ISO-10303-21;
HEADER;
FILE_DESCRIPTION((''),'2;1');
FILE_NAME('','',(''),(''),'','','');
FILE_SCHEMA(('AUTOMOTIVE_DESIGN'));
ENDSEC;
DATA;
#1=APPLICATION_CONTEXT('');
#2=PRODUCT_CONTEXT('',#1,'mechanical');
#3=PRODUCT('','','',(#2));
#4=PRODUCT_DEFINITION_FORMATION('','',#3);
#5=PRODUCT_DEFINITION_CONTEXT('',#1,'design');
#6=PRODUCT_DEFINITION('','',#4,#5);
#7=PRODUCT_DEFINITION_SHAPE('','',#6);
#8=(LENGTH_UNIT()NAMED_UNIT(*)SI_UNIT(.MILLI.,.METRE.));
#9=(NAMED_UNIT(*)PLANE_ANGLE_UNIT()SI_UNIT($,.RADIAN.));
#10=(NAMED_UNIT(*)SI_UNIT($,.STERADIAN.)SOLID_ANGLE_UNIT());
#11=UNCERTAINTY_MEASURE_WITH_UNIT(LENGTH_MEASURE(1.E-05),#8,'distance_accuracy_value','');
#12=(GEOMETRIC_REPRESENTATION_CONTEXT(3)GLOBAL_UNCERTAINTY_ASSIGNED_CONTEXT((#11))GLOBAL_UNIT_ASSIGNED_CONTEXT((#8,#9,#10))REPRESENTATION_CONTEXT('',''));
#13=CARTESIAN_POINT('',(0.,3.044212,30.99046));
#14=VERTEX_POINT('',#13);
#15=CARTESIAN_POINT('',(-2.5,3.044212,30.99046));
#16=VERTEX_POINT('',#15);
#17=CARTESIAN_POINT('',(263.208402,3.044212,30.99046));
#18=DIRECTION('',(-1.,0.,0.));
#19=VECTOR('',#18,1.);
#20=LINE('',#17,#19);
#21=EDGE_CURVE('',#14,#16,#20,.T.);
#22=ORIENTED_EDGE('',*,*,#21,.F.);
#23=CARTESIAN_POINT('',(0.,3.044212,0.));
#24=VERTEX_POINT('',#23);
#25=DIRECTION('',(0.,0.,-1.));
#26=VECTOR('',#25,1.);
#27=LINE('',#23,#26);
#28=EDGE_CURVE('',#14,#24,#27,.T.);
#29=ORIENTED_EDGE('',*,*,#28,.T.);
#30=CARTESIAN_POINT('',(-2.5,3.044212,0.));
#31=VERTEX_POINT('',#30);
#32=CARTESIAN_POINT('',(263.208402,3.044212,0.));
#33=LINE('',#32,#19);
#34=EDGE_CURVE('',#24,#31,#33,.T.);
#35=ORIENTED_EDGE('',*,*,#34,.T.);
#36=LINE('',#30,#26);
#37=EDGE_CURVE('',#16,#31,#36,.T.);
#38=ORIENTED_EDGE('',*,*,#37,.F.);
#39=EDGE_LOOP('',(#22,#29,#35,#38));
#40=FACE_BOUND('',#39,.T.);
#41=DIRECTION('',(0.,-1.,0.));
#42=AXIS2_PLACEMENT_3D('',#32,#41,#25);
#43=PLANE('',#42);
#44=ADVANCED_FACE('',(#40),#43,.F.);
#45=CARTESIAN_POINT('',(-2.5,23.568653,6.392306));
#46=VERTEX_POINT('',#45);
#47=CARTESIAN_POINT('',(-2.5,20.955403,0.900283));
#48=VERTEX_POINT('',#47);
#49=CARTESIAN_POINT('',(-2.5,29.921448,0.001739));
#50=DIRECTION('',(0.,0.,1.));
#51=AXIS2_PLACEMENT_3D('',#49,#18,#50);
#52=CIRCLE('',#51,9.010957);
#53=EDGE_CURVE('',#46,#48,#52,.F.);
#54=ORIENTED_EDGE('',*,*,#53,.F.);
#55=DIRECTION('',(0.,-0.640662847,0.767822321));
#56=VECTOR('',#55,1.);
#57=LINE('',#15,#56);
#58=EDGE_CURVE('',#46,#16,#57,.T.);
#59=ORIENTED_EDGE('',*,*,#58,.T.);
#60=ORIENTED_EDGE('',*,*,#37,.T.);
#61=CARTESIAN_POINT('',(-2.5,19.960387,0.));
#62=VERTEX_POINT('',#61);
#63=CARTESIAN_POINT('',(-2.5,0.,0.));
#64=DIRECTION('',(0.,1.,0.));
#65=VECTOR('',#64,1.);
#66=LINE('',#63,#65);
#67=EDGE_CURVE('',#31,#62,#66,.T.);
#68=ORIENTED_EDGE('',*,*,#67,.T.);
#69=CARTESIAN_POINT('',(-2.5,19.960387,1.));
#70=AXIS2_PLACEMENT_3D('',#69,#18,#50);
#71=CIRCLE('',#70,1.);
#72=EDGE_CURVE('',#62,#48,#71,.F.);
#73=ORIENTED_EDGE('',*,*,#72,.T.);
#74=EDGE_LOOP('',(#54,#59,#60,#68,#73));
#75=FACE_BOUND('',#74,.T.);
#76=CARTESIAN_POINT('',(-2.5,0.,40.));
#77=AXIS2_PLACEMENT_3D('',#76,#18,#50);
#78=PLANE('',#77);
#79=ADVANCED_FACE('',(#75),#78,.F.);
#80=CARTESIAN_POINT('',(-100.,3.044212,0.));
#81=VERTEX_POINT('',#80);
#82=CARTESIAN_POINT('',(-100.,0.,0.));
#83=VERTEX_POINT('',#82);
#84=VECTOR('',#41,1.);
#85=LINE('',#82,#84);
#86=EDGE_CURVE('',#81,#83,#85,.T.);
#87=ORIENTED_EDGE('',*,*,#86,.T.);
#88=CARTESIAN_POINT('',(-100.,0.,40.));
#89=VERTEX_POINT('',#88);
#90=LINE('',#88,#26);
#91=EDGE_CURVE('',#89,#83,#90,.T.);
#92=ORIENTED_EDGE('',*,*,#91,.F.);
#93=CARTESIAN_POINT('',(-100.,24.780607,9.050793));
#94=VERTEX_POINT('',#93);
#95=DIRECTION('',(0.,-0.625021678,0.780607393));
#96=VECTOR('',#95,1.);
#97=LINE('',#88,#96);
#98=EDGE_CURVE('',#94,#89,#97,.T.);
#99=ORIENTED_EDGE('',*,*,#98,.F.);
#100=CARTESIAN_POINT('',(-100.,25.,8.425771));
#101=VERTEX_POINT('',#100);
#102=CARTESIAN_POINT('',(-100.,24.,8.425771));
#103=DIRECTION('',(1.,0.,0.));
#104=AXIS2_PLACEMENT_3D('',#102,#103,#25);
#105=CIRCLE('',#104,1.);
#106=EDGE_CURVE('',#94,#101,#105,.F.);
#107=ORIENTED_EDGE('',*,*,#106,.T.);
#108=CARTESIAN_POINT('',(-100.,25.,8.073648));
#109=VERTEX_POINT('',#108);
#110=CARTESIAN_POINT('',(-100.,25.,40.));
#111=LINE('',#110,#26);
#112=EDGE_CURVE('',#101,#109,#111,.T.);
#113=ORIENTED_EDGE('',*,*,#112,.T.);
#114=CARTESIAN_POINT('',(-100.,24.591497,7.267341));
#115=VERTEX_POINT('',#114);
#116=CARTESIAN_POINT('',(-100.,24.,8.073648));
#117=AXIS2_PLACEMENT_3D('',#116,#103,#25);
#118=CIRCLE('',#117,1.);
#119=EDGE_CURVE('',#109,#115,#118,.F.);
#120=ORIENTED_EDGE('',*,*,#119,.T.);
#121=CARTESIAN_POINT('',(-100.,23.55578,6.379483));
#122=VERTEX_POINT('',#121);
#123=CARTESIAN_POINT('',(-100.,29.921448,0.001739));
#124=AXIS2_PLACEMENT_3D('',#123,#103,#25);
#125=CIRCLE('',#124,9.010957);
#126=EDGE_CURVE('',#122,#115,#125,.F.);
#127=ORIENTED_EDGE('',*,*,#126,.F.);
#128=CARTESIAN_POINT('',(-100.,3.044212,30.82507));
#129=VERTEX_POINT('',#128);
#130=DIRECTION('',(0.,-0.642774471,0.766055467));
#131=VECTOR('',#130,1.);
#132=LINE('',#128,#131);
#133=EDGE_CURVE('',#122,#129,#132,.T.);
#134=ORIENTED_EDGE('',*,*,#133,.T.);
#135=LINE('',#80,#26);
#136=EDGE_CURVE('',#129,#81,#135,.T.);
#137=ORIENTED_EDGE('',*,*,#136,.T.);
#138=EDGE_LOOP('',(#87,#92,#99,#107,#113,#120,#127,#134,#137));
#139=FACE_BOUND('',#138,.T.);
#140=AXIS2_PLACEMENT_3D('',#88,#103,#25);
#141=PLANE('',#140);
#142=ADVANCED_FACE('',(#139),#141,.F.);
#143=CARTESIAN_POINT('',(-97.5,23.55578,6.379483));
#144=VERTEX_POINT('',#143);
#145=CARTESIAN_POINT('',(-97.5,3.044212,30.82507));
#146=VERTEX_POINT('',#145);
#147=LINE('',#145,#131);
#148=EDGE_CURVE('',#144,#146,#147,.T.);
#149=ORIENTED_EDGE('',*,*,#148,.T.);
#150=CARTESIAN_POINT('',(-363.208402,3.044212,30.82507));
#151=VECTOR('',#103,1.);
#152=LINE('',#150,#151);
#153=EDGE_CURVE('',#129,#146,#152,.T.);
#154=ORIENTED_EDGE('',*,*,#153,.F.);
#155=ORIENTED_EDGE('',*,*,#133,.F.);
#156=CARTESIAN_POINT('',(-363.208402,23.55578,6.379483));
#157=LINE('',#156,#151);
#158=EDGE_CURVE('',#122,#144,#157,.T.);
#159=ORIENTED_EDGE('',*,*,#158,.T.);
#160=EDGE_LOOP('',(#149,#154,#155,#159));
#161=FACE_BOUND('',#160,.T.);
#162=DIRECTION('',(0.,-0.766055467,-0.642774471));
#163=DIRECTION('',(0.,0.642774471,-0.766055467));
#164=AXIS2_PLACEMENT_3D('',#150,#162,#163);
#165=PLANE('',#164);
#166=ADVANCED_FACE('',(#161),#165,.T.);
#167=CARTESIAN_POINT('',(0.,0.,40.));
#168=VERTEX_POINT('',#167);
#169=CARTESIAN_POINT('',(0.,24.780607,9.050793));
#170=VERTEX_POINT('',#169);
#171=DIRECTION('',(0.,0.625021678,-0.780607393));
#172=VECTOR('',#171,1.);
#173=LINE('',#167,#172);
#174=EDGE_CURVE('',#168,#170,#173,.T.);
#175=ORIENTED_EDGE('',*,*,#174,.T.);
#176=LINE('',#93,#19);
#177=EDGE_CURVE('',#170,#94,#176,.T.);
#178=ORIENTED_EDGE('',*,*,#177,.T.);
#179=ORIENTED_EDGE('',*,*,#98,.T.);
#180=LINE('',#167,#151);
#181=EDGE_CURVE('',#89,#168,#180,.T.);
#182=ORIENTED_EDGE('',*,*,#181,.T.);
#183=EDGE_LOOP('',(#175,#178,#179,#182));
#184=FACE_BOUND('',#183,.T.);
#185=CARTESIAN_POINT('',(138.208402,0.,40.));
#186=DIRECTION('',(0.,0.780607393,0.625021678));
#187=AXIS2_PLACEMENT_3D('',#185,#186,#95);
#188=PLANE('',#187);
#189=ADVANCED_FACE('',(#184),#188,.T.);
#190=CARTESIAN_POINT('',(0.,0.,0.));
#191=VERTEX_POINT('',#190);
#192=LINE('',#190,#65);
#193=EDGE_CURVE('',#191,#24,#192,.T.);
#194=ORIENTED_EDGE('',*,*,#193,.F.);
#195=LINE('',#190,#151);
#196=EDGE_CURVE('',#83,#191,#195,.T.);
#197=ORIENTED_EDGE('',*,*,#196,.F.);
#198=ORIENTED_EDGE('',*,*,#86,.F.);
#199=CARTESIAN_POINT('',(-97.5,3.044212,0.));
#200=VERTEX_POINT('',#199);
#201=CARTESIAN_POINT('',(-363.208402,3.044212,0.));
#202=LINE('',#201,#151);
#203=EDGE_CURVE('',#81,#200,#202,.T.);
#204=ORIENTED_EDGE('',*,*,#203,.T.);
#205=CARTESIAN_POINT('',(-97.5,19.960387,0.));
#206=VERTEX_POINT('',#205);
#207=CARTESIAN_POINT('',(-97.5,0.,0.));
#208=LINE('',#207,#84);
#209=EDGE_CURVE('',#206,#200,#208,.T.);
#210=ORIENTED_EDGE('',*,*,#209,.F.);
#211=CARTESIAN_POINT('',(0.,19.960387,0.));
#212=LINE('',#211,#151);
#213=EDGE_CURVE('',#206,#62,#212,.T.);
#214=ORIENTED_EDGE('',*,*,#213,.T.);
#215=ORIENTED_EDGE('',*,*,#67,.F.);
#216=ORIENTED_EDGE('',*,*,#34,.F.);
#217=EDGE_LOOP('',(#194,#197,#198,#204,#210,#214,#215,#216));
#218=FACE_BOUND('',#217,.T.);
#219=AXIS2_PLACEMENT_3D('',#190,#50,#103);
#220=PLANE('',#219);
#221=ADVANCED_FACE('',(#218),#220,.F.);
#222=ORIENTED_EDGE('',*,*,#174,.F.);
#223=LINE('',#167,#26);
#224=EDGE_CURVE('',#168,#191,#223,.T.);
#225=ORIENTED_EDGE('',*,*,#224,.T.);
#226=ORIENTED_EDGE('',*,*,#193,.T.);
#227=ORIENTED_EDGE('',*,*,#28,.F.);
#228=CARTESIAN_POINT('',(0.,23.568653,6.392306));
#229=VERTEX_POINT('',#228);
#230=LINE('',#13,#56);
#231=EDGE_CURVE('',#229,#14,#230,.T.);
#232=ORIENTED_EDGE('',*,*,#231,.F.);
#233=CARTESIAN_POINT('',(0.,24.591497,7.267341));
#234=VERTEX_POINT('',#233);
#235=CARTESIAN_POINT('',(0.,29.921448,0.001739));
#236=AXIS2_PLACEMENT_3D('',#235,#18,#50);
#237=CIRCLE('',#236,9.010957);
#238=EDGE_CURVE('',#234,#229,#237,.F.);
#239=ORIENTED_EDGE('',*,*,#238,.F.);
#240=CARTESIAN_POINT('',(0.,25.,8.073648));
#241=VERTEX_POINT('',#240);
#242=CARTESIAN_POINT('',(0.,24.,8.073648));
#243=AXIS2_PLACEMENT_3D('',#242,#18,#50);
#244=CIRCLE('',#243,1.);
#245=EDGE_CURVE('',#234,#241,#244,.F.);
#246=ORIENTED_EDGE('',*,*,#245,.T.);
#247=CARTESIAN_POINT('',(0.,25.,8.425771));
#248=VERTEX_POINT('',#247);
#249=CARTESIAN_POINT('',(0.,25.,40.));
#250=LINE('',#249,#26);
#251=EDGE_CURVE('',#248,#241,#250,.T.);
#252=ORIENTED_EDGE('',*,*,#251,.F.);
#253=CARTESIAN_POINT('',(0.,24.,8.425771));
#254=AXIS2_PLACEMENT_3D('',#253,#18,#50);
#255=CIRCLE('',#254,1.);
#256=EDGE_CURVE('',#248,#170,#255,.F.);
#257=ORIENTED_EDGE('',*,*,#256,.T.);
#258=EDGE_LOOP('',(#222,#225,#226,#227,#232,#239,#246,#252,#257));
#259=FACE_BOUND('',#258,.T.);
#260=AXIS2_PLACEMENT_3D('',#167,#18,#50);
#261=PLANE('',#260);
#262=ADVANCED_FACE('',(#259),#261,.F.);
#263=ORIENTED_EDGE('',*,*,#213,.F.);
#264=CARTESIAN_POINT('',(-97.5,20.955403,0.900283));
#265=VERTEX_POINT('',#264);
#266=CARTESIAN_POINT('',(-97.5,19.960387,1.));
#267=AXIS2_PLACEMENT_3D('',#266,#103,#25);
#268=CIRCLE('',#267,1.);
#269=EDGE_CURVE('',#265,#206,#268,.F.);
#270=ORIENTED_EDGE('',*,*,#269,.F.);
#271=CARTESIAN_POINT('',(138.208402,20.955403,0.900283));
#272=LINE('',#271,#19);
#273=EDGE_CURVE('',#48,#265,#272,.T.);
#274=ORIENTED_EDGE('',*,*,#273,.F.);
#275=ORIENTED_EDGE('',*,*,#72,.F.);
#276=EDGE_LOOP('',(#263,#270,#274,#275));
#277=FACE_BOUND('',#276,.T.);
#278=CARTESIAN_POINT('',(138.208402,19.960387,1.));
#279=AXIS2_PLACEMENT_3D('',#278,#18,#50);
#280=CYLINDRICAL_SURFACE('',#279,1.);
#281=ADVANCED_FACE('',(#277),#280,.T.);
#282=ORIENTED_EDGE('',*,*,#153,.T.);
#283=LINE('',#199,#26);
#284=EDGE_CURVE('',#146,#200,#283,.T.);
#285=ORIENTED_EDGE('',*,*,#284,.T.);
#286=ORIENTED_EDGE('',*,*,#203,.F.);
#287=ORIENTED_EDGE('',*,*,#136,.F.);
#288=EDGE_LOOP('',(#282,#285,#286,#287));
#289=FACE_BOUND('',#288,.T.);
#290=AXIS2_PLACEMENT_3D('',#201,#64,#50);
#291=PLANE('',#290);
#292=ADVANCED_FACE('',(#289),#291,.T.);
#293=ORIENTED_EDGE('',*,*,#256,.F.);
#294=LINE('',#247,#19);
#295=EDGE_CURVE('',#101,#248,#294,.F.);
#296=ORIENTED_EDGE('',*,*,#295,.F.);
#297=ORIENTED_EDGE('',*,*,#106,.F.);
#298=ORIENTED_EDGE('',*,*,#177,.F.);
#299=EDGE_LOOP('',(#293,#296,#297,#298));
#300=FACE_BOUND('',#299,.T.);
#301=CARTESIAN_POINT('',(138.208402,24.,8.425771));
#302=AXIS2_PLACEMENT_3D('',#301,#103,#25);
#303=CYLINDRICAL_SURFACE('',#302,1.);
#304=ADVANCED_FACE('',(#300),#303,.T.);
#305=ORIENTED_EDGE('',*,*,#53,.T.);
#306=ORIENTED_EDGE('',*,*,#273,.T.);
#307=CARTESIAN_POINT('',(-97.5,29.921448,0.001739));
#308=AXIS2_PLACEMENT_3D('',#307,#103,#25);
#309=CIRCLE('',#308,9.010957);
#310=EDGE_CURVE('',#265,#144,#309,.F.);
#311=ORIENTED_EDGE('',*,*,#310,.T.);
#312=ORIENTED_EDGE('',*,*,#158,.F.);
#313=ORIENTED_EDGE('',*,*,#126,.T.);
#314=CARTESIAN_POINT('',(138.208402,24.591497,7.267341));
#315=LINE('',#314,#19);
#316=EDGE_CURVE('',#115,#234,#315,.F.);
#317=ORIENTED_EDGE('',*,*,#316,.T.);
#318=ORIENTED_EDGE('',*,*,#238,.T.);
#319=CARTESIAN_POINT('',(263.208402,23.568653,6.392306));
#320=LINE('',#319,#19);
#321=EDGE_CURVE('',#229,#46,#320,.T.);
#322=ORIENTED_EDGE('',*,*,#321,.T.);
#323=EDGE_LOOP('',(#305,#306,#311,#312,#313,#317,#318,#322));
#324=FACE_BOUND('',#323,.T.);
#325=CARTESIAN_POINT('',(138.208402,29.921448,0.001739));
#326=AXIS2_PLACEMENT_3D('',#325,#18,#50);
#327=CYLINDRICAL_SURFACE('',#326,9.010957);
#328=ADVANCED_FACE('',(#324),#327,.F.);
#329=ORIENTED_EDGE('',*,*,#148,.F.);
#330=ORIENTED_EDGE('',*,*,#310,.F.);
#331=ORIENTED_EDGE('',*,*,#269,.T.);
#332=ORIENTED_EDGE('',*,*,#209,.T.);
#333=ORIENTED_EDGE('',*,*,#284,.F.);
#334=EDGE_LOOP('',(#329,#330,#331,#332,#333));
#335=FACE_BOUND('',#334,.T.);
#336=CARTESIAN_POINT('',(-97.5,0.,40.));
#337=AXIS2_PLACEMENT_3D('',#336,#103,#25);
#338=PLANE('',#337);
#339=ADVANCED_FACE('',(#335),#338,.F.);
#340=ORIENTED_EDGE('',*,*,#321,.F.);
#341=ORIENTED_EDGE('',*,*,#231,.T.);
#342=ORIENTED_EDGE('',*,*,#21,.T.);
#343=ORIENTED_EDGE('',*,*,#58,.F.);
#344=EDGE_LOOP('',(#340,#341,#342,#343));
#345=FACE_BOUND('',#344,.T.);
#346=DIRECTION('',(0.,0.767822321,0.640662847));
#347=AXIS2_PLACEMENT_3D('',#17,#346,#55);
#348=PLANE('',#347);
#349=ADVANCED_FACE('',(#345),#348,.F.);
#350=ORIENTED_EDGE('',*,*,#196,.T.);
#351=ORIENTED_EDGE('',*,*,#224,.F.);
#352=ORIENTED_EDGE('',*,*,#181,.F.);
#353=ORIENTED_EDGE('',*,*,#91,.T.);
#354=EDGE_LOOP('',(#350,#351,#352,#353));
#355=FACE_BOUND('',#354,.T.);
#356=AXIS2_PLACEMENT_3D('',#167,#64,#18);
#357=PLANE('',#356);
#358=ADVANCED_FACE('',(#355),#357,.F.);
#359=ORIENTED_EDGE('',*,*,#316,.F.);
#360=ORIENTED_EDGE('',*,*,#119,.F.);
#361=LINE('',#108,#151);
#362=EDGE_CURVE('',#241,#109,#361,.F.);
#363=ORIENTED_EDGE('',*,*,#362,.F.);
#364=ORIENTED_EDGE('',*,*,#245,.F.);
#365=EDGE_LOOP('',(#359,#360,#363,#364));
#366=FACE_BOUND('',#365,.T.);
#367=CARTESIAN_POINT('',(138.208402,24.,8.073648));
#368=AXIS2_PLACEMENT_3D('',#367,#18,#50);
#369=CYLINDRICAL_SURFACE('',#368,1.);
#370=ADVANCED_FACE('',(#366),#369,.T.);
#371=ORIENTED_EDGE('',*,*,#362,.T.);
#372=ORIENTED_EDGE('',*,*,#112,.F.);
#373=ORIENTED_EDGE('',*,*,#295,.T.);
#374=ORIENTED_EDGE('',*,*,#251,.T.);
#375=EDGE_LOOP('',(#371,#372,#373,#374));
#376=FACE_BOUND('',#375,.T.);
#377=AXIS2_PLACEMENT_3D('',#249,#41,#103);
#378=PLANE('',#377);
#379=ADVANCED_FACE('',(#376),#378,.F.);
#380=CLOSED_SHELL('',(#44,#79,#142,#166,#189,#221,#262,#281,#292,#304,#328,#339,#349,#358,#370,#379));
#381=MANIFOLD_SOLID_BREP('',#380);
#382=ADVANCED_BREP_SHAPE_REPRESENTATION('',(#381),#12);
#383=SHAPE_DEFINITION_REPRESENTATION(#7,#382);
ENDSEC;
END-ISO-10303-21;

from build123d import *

# Parameters (mm, degrees)
SKETCH1_W               = 100
SKETCH1_H               = 25
BOSS_EXTRUDE1_DEPTH     = 40
CUT_EXTRUDE2_DEPTH      = 111.566721937
CUT_EXTRUDE2_DEPTH_BACK = 111.566721937
CUT_EXTRUDE3_DEPTH      = 111.566721937
CUT_EXTRUDE3_DEPTH_BACK = 111.566721937
FILLET1_R               = 1
FILLET2_R               = 1
FILLET3_R               = 1
CUT_EXTRUDE5_DEPTH      = 111.566721937
CUT_EXTRUDE5_DEPTH_BACK = 2.5
CUT_EXTRUDE6_DEPTH      = 111.566721937
CUT_EXTRUDE6_DEPTH_BACK = 2.5


with BuildPart() as part:
    # Sketch1 → Boss-Extrude1 (new body)
    with BuildSketch(Plane.XY):
        with Locations((-50, 12.5)):
            Rectangle(SKETCH1_W, SKETCH1_H)
    extrude(amount=BOSS_EXTRUDE1_DEPTH)

    # Sketch2 → Cut-Extrude2 (cut, two sides: drawn at the far end of the back side and taken through both)
    with BuildSketch(Plane(origin=(0, 0, 0), x_dir=(0, 0, -1), z_dir=(1, 0, 0)).offset(-CUT_EXTRUDE2_DEPTH_BACK)):
        Polygon((-121.448428088, -65.214643972), (-40, 0), (-8.776787265, 25), (72.671640823, 90.214643972), (-57.757647122, 253.111500148), (-251.877716033, 97.682212203), align=None)
    extrude(amount=CUT_EXTRUDE2_DEPTH + CUT_EXTRUDE2_DEPTH_BACK, mode=Mode.SUBTRACT)

    # Sketch3 → Cut-Extrude3 (cut, two sides: drawn at the far end of the back side and taken through both)
    with BuildSketch(Plane(origin=(0, 0, 0), x_dir=(0, 0, -1), z_dir=(1, 0, 0)).offset(-CUT_EXTRUDE3_DEPTH_BACK)):
        with BuildLine():
            Line((-62.314729864, 108.995582426), (-7.550030072, 25))
            ThreePointArc((-7.550030072, 25), (-4.293432475, 21.998146007), (0, 20.910491242))
            Line((0, 20.910491242), (100.271779857, 20.929846374))
            Line((100.271779857, 20.929846374), (195.785658883, 197.26707941))
            Line((195.785658883, 197.26707941), (33.199149162, 285.332815462))
            Line((33.199149162, 285.332815462), (-62.314729864, 108.995582426))
        make_face()
    extrude(amount=CUT_EXTRUDE3_DEPTH + CUT_EXTRUDE3_DEPTH_BACK, mode=Mode.SUBTRACT)

    # Fillet1
    fillet1_edges = [part.edges().sort_by_distance(p)[0] for p in [
        (-50, 25, 8.776787265),
    ]]
    fillet(fillet1_edges, radius=FILLET1_R)

    # Fillet2
    fillet2_edges = [part.edges().sort_by_distance(p)[0] for p in [
        (-50, 25, 7.550030072),
    ]]
    fillet(fillet2_edges, radius=FILLET2_R)

    # Fillet3
    fillet3_edges = [part.edges().sort_by_distance(p)[0] for p in [
        (-50, 20.910491242, 0),
    ]]
    fillet(fillet3_edges, radius=FILLET3_R)

    # Sketch4 → Cut-Extrude5 (cut, two sides: drawn at the far end of the back side and taken through both)
    with BuildSketch(Plane(origin=(0, 0, 0), x_dir=(0, 0, -1), z_dir=(1, 0, 0)).offset(-CUT_EXTRUDE5_DEPTH_BACK)):
        Polygon((101.259117222, 3.044212175), (0, 3.044212175), (-30.990460295, 3.044212175), (-6.392305733, 23.56865294), (71.356704641, 88.441607291), (262.495931804, 155.370159656), (292.398344384, 69.97276454), align=None)
    extrude(amount=CUT_EXTRUDE5_DEPTH + CUT_EXTRUDE5_DEPTH_BACK, mode=Mode.SUBTRACT)

    # Sketch5 → Cut-Extrude6 (cut, two sides: drawn at the far end of the back side and taken through both)
    with BuildSketch(Plane.ZY.offset(100).offset(-CUT_EXTRUDE6_DEPTH_BACK)):
        Polygon((-101.259117222, 3.044212175), (0, 3.044212175), (30.8250701, 3.044212175), (6.37948349, 23.555780442), (-71.190616863, 88.642555993), (-262.263101068, 155.761413714), (-292.331601426, 70.163069896), align=None)
    extrude(amount=CUT_EXTRUDE6_DEPTH + CUT_EXTRUDE6_DEPTH_BACK, mode=Mode.SUBTRACT)


solid = part.part
